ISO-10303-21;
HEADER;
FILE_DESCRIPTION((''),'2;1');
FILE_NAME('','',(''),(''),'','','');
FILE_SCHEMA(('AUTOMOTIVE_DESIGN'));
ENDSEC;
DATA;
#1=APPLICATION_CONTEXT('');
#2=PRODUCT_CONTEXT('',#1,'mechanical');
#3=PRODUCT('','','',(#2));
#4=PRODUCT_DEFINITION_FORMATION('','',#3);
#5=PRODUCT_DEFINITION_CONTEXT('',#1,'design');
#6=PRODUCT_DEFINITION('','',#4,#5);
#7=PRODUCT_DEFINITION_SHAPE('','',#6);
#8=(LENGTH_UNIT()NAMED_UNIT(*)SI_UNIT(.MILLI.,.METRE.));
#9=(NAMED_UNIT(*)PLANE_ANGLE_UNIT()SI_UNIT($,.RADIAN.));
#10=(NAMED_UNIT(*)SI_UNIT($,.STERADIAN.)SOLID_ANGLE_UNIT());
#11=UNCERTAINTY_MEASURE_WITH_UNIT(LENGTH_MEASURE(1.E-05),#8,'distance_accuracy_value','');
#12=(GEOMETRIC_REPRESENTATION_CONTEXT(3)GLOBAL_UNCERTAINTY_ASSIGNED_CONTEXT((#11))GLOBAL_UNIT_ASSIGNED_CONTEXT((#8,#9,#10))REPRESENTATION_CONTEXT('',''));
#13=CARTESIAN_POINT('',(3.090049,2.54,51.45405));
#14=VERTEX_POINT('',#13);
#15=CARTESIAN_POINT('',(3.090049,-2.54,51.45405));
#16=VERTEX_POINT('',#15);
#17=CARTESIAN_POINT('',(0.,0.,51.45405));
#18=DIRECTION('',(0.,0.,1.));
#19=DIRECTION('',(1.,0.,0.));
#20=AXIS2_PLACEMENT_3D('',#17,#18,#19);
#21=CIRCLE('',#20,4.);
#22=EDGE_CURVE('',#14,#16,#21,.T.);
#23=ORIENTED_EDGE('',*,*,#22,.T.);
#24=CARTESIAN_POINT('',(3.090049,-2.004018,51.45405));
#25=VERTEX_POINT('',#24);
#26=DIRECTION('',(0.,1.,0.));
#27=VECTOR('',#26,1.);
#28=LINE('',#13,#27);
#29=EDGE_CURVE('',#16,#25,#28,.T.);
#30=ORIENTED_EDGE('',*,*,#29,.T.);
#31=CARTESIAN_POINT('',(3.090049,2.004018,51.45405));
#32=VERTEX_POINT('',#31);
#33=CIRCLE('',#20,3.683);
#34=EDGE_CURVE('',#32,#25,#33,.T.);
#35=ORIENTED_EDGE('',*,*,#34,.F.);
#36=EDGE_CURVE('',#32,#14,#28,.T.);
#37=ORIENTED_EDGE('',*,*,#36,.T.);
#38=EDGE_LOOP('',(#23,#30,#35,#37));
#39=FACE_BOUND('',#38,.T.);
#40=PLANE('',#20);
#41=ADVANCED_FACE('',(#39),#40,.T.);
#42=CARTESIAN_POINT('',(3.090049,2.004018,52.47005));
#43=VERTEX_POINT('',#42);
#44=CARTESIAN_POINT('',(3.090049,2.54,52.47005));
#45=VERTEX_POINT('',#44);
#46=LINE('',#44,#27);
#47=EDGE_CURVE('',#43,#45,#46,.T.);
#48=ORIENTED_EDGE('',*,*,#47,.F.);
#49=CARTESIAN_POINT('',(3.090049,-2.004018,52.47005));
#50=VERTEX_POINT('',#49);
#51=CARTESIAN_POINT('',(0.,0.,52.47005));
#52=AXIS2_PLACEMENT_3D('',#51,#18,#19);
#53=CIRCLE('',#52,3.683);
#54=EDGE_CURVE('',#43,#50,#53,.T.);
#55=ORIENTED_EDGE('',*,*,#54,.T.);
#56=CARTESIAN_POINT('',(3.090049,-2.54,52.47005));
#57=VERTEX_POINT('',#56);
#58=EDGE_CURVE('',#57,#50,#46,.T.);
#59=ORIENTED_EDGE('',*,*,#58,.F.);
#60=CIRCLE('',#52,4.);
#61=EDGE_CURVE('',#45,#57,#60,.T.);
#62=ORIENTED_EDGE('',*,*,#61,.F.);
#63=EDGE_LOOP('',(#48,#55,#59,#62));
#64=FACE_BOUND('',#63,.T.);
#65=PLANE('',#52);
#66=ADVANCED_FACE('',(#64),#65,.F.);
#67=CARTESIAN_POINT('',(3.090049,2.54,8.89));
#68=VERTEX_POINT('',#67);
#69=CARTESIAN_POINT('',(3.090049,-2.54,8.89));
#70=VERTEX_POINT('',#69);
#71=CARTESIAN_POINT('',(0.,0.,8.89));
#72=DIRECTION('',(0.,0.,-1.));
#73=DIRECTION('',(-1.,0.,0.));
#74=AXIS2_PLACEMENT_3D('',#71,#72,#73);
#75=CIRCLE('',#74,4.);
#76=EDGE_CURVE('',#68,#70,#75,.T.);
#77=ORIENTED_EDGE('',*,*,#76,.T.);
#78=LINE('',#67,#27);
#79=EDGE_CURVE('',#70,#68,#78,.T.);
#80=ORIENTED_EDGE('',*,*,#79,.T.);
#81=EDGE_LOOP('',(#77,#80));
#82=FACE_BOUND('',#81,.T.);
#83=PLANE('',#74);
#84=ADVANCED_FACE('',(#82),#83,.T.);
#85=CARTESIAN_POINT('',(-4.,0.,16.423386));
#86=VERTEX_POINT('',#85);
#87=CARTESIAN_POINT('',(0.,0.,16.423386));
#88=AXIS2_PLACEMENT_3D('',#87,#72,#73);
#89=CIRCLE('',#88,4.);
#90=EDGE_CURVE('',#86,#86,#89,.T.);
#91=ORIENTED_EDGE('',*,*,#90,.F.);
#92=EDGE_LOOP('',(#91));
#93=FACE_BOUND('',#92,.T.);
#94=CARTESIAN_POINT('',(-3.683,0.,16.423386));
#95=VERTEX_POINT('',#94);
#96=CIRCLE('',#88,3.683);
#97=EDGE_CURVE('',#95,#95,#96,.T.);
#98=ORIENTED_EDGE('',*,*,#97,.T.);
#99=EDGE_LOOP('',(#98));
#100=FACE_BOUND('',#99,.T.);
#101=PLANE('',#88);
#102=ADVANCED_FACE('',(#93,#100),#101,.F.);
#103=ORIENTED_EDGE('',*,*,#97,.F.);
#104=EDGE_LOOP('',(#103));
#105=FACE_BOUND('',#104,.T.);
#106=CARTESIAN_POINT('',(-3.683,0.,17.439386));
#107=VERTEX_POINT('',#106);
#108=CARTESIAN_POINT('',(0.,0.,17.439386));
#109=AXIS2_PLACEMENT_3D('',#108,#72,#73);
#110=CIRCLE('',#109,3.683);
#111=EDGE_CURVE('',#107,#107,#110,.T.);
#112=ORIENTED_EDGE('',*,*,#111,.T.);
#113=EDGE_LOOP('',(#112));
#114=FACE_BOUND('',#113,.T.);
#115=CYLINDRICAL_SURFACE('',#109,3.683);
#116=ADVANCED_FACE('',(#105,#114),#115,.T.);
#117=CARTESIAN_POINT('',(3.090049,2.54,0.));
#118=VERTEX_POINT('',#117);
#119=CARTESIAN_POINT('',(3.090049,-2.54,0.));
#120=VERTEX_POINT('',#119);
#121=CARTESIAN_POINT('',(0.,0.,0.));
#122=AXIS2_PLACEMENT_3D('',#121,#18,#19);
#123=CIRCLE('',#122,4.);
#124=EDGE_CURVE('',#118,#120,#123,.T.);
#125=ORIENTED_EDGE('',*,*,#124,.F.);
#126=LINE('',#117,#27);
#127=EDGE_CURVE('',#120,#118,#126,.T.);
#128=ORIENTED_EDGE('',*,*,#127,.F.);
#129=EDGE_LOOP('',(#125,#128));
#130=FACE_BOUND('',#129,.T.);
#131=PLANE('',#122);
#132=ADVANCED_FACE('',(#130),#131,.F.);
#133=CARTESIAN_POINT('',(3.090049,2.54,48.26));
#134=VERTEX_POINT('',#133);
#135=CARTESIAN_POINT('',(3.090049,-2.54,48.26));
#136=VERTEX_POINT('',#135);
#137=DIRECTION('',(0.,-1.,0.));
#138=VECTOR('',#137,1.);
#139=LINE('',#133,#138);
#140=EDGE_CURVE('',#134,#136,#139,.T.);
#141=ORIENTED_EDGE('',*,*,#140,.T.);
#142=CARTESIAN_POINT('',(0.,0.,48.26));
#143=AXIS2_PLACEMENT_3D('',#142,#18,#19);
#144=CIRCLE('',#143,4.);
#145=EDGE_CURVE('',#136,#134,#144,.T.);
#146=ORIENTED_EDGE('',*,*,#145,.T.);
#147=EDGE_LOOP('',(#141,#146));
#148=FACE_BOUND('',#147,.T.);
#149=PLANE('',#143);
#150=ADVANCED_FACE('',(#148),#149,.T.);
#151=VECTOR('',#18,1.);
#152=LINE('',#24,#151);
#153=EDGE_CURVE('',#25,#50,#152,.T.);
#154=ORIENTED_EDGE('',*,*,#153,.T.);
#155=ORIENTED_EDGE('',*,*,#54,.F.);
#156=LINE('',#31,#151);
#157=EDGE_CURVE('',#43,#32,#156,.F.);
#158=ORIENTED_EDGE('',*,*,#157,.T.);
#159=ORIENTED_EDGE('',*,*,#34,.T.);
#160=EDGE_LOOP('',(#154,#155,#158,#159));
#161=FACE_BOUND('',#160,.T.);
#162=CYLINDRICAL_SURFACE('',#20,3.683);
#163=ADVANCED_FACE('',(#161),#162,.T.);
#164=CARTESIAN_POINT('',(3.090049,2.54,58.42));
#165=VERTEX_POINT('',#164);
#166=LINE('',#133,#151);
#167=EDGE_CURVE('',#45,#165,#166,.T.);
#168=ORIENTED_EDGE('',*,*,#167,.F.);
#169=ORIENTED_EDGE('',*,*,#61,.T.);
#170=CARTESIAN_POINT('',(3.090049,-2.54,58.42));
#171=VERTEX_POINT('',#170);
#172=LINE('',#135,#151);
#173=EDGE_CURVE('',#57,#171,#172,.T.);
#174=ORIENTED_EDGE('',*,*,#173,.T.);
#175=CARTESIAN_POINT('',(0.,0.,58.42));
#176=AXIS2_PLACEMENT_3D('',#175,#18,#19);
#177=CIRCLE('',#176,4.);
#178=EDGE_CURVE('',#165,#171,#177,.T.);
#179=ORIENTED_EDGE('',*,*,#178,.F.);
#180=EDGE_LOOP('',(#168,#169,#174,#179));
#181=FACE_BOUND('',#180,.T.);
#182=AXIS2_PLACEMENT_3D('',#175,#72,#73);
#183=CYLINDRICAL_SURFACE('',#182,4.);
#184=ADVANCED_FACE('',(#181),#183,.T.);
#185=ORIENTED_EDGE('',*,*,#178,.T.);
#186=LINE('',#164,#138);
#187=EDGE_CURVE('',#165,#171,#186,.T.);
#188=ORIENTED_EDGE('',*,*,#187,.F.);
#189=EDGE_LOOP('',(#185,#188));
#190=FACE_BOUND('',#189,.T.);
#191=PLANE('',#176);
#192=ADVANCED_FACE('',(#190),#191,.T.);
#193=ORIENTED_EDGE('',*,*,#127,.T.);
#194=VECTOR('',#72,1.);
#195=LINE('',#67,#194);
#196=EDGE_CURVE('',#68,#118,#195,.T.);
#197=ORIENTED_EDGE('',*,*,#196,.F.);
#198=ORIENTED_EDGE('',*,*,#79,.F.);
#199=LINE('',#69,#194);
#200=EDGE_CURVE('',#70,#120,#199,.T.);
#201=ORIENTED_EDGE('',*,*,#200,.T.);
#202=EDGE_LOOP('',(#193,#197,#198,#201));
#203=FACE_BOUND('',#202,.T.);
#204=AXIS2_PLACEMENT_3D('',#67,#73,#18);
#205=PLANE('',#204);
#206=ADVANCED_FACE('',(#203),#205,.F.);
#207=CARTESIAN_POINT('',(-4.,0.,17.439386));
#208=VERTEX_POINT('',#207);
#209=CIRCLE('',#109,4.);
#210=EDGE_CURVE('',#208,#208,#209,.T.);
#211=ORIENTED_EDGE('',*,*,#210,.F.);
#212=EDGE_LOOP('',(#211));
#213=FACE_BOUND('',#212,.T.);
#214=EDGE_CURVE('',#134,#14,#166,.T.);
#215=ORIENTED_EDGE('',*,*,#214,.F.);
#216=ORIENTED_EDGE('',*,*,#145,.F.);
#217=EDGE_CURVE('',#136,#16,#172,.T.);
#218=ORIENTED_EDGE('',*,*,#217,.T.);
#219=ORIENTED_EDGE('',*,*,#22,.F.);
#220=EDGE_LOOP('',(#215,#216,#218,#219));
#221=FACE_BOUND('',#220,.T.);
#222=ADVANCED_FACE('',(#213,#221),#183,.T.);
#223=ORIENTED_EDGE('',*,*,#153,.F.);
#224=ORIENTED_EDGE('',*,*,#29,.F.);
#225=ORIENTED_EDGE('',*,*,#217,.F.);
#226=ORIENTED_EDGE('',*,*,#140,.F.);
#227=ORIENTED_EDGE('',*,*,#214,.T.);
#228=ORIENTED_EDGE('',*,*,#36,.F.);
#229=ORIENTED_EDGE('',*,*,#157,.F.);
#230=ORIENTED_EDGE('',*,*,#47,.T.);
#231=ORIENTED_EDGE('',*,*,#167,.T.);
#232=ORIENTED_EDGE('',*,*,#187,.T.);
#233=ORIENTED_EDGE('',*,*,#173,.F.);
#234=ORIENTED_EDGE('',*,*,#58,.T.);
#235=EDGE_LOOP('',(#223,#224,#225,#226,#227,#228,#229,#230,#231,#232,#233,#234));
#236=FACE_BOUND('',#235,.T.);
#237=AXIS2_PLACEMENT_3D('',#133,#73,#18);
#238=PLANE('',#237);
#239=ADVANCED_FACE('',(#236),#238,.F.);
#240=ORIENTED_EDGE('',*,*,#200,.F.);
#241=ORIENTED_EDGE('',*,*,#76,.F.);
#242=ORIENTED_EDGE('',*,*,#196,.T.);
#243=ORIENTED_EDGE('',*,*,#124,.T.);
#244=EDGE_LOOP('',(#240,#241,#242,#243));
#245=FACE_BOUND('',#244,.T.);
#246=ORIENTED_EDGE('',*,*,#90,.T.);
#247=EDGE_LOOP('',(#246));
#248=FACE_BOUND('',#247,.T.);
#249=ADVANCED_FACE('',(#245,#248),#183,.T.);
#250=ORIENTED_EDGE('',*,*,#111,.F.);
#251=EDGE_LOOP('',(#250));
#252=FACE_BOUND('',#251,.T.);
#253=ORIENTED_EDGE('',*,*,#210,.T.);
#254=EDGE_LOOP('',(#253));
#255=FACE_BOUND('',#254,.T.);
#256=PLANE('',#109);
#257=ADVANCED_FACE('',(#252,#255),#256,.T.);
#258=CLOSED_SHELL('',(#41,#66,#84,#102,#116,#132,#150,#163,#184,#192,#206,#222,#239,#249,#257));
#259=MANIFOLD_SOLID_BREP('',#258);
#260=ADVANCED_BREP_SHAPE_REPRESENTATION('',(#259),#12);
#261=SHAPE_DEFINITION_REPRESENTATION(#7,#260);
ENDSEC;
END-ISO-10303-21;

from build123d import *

# Parameters (mm, degrees)
SKETCH1_R           = 4.000000001
BOSS_EXTRUDE1_DEPTH = 58.42
CUT_EXTRUDE1_DEPTH  = 10.16
CUT_EXTRUDE5_DEPTH  = 8.89
CUT_EXTRUDE3_START  = -16.423386
SKETCH4_OUTSIDE_W   = 21.902
SKETCH4_OUTSIDE_H   = 21.902
SKETCH4_OUTSIDE_R   = 3.683
CUT_EXTRUDE3_DEPTH  = 1.016
CUT_EXTRUDE4_START  = -5.94995
SKETCH5_OUTSIDE_W   = 21.902
SKETCH5_OUTSIDE_H   = 21.902
SKETCH5_OUTSIDE_R   = 3.683
CUT_EXTRUDE4_DEPTH  = 1.016


with BuildPart() as part:
    # Sketch1 → Boss-Extrude1 (new body)
    with BuildSketch(Plane.XY):
        Circle(SKETCH1_R)
    extrude(amount=BOSS_EXTRUDE1_DEPTH)

    # Sketch2 → Cut-Extrude1 (cut)
    with BuildSketch(Plane.XY.offset(58.42)):
        with BuildLine():
            Line((3.090048545, 2.54), (3.090048545, -2.54))
            ThreePointArc((3.090048545, -2.54), (4.000000001, 0), (3.090048545, 2.54))
        make_face()
    extrude(amount=-CUT_EXTRUDE1_DEPTH, mode=Mode.SUBTRACT)

    # Sketch6 → Cut-Extrude5 (cut)
    with BuildSketch(Plane(origin=(0, 0, 0), x_dir=(-1, 0, 0), z_dir=(0, 0, -1))):
        with BuildLine():
            Line((-3.090048545, 2.54), (-3.090048545, -2.54))
            ThreePointArc((-3.090048545, -2.54), (-4.000000001, 0), (-3.090048545, 2.54))
        make_face()
    extrude(amount=-CUT_EXTRUDE5_DEPTH, mode=Mode.SUBTRACT)

    # Sketch4 outside → Cut-Extrude3 (cut)
    with BuildSketch(Plane(origin=(0, 0, 0), x_dir=(-1, 0, 0), z_dir=(0, 0, -1)).offset(CUT_EXTRUDE3_START)):
        Rectangle(SKETCH4_OUTSIDE_W, SKETCH4_OUTSIDE_H)
        Circle(SKETCH4_OUTSIDE_R, mode=Mode.SUBTRACT)
    extrude(amount=-CUT_EXTRUDE3_DEPTH, mode=Mode.SUBTRACT)

    # Sketch5 outside → Cut-Extrude4 (cut)
    with BuildSketch(Plane.XY.offset(58.42).offset(CUT_EXTRUDE4_START)):
        Rectangle(SKETCH5_OUTSIDE_W, SKETCH5_OUTSIDE_H)
        Circle(SKETCH5_OUTSIDE_R, mode=Mode.SUBTRACT)
    extrude(amount=-CUT_EXTRUDE4_DEPTH, mode=Mode.SUBTRACT)


solid = part.part
